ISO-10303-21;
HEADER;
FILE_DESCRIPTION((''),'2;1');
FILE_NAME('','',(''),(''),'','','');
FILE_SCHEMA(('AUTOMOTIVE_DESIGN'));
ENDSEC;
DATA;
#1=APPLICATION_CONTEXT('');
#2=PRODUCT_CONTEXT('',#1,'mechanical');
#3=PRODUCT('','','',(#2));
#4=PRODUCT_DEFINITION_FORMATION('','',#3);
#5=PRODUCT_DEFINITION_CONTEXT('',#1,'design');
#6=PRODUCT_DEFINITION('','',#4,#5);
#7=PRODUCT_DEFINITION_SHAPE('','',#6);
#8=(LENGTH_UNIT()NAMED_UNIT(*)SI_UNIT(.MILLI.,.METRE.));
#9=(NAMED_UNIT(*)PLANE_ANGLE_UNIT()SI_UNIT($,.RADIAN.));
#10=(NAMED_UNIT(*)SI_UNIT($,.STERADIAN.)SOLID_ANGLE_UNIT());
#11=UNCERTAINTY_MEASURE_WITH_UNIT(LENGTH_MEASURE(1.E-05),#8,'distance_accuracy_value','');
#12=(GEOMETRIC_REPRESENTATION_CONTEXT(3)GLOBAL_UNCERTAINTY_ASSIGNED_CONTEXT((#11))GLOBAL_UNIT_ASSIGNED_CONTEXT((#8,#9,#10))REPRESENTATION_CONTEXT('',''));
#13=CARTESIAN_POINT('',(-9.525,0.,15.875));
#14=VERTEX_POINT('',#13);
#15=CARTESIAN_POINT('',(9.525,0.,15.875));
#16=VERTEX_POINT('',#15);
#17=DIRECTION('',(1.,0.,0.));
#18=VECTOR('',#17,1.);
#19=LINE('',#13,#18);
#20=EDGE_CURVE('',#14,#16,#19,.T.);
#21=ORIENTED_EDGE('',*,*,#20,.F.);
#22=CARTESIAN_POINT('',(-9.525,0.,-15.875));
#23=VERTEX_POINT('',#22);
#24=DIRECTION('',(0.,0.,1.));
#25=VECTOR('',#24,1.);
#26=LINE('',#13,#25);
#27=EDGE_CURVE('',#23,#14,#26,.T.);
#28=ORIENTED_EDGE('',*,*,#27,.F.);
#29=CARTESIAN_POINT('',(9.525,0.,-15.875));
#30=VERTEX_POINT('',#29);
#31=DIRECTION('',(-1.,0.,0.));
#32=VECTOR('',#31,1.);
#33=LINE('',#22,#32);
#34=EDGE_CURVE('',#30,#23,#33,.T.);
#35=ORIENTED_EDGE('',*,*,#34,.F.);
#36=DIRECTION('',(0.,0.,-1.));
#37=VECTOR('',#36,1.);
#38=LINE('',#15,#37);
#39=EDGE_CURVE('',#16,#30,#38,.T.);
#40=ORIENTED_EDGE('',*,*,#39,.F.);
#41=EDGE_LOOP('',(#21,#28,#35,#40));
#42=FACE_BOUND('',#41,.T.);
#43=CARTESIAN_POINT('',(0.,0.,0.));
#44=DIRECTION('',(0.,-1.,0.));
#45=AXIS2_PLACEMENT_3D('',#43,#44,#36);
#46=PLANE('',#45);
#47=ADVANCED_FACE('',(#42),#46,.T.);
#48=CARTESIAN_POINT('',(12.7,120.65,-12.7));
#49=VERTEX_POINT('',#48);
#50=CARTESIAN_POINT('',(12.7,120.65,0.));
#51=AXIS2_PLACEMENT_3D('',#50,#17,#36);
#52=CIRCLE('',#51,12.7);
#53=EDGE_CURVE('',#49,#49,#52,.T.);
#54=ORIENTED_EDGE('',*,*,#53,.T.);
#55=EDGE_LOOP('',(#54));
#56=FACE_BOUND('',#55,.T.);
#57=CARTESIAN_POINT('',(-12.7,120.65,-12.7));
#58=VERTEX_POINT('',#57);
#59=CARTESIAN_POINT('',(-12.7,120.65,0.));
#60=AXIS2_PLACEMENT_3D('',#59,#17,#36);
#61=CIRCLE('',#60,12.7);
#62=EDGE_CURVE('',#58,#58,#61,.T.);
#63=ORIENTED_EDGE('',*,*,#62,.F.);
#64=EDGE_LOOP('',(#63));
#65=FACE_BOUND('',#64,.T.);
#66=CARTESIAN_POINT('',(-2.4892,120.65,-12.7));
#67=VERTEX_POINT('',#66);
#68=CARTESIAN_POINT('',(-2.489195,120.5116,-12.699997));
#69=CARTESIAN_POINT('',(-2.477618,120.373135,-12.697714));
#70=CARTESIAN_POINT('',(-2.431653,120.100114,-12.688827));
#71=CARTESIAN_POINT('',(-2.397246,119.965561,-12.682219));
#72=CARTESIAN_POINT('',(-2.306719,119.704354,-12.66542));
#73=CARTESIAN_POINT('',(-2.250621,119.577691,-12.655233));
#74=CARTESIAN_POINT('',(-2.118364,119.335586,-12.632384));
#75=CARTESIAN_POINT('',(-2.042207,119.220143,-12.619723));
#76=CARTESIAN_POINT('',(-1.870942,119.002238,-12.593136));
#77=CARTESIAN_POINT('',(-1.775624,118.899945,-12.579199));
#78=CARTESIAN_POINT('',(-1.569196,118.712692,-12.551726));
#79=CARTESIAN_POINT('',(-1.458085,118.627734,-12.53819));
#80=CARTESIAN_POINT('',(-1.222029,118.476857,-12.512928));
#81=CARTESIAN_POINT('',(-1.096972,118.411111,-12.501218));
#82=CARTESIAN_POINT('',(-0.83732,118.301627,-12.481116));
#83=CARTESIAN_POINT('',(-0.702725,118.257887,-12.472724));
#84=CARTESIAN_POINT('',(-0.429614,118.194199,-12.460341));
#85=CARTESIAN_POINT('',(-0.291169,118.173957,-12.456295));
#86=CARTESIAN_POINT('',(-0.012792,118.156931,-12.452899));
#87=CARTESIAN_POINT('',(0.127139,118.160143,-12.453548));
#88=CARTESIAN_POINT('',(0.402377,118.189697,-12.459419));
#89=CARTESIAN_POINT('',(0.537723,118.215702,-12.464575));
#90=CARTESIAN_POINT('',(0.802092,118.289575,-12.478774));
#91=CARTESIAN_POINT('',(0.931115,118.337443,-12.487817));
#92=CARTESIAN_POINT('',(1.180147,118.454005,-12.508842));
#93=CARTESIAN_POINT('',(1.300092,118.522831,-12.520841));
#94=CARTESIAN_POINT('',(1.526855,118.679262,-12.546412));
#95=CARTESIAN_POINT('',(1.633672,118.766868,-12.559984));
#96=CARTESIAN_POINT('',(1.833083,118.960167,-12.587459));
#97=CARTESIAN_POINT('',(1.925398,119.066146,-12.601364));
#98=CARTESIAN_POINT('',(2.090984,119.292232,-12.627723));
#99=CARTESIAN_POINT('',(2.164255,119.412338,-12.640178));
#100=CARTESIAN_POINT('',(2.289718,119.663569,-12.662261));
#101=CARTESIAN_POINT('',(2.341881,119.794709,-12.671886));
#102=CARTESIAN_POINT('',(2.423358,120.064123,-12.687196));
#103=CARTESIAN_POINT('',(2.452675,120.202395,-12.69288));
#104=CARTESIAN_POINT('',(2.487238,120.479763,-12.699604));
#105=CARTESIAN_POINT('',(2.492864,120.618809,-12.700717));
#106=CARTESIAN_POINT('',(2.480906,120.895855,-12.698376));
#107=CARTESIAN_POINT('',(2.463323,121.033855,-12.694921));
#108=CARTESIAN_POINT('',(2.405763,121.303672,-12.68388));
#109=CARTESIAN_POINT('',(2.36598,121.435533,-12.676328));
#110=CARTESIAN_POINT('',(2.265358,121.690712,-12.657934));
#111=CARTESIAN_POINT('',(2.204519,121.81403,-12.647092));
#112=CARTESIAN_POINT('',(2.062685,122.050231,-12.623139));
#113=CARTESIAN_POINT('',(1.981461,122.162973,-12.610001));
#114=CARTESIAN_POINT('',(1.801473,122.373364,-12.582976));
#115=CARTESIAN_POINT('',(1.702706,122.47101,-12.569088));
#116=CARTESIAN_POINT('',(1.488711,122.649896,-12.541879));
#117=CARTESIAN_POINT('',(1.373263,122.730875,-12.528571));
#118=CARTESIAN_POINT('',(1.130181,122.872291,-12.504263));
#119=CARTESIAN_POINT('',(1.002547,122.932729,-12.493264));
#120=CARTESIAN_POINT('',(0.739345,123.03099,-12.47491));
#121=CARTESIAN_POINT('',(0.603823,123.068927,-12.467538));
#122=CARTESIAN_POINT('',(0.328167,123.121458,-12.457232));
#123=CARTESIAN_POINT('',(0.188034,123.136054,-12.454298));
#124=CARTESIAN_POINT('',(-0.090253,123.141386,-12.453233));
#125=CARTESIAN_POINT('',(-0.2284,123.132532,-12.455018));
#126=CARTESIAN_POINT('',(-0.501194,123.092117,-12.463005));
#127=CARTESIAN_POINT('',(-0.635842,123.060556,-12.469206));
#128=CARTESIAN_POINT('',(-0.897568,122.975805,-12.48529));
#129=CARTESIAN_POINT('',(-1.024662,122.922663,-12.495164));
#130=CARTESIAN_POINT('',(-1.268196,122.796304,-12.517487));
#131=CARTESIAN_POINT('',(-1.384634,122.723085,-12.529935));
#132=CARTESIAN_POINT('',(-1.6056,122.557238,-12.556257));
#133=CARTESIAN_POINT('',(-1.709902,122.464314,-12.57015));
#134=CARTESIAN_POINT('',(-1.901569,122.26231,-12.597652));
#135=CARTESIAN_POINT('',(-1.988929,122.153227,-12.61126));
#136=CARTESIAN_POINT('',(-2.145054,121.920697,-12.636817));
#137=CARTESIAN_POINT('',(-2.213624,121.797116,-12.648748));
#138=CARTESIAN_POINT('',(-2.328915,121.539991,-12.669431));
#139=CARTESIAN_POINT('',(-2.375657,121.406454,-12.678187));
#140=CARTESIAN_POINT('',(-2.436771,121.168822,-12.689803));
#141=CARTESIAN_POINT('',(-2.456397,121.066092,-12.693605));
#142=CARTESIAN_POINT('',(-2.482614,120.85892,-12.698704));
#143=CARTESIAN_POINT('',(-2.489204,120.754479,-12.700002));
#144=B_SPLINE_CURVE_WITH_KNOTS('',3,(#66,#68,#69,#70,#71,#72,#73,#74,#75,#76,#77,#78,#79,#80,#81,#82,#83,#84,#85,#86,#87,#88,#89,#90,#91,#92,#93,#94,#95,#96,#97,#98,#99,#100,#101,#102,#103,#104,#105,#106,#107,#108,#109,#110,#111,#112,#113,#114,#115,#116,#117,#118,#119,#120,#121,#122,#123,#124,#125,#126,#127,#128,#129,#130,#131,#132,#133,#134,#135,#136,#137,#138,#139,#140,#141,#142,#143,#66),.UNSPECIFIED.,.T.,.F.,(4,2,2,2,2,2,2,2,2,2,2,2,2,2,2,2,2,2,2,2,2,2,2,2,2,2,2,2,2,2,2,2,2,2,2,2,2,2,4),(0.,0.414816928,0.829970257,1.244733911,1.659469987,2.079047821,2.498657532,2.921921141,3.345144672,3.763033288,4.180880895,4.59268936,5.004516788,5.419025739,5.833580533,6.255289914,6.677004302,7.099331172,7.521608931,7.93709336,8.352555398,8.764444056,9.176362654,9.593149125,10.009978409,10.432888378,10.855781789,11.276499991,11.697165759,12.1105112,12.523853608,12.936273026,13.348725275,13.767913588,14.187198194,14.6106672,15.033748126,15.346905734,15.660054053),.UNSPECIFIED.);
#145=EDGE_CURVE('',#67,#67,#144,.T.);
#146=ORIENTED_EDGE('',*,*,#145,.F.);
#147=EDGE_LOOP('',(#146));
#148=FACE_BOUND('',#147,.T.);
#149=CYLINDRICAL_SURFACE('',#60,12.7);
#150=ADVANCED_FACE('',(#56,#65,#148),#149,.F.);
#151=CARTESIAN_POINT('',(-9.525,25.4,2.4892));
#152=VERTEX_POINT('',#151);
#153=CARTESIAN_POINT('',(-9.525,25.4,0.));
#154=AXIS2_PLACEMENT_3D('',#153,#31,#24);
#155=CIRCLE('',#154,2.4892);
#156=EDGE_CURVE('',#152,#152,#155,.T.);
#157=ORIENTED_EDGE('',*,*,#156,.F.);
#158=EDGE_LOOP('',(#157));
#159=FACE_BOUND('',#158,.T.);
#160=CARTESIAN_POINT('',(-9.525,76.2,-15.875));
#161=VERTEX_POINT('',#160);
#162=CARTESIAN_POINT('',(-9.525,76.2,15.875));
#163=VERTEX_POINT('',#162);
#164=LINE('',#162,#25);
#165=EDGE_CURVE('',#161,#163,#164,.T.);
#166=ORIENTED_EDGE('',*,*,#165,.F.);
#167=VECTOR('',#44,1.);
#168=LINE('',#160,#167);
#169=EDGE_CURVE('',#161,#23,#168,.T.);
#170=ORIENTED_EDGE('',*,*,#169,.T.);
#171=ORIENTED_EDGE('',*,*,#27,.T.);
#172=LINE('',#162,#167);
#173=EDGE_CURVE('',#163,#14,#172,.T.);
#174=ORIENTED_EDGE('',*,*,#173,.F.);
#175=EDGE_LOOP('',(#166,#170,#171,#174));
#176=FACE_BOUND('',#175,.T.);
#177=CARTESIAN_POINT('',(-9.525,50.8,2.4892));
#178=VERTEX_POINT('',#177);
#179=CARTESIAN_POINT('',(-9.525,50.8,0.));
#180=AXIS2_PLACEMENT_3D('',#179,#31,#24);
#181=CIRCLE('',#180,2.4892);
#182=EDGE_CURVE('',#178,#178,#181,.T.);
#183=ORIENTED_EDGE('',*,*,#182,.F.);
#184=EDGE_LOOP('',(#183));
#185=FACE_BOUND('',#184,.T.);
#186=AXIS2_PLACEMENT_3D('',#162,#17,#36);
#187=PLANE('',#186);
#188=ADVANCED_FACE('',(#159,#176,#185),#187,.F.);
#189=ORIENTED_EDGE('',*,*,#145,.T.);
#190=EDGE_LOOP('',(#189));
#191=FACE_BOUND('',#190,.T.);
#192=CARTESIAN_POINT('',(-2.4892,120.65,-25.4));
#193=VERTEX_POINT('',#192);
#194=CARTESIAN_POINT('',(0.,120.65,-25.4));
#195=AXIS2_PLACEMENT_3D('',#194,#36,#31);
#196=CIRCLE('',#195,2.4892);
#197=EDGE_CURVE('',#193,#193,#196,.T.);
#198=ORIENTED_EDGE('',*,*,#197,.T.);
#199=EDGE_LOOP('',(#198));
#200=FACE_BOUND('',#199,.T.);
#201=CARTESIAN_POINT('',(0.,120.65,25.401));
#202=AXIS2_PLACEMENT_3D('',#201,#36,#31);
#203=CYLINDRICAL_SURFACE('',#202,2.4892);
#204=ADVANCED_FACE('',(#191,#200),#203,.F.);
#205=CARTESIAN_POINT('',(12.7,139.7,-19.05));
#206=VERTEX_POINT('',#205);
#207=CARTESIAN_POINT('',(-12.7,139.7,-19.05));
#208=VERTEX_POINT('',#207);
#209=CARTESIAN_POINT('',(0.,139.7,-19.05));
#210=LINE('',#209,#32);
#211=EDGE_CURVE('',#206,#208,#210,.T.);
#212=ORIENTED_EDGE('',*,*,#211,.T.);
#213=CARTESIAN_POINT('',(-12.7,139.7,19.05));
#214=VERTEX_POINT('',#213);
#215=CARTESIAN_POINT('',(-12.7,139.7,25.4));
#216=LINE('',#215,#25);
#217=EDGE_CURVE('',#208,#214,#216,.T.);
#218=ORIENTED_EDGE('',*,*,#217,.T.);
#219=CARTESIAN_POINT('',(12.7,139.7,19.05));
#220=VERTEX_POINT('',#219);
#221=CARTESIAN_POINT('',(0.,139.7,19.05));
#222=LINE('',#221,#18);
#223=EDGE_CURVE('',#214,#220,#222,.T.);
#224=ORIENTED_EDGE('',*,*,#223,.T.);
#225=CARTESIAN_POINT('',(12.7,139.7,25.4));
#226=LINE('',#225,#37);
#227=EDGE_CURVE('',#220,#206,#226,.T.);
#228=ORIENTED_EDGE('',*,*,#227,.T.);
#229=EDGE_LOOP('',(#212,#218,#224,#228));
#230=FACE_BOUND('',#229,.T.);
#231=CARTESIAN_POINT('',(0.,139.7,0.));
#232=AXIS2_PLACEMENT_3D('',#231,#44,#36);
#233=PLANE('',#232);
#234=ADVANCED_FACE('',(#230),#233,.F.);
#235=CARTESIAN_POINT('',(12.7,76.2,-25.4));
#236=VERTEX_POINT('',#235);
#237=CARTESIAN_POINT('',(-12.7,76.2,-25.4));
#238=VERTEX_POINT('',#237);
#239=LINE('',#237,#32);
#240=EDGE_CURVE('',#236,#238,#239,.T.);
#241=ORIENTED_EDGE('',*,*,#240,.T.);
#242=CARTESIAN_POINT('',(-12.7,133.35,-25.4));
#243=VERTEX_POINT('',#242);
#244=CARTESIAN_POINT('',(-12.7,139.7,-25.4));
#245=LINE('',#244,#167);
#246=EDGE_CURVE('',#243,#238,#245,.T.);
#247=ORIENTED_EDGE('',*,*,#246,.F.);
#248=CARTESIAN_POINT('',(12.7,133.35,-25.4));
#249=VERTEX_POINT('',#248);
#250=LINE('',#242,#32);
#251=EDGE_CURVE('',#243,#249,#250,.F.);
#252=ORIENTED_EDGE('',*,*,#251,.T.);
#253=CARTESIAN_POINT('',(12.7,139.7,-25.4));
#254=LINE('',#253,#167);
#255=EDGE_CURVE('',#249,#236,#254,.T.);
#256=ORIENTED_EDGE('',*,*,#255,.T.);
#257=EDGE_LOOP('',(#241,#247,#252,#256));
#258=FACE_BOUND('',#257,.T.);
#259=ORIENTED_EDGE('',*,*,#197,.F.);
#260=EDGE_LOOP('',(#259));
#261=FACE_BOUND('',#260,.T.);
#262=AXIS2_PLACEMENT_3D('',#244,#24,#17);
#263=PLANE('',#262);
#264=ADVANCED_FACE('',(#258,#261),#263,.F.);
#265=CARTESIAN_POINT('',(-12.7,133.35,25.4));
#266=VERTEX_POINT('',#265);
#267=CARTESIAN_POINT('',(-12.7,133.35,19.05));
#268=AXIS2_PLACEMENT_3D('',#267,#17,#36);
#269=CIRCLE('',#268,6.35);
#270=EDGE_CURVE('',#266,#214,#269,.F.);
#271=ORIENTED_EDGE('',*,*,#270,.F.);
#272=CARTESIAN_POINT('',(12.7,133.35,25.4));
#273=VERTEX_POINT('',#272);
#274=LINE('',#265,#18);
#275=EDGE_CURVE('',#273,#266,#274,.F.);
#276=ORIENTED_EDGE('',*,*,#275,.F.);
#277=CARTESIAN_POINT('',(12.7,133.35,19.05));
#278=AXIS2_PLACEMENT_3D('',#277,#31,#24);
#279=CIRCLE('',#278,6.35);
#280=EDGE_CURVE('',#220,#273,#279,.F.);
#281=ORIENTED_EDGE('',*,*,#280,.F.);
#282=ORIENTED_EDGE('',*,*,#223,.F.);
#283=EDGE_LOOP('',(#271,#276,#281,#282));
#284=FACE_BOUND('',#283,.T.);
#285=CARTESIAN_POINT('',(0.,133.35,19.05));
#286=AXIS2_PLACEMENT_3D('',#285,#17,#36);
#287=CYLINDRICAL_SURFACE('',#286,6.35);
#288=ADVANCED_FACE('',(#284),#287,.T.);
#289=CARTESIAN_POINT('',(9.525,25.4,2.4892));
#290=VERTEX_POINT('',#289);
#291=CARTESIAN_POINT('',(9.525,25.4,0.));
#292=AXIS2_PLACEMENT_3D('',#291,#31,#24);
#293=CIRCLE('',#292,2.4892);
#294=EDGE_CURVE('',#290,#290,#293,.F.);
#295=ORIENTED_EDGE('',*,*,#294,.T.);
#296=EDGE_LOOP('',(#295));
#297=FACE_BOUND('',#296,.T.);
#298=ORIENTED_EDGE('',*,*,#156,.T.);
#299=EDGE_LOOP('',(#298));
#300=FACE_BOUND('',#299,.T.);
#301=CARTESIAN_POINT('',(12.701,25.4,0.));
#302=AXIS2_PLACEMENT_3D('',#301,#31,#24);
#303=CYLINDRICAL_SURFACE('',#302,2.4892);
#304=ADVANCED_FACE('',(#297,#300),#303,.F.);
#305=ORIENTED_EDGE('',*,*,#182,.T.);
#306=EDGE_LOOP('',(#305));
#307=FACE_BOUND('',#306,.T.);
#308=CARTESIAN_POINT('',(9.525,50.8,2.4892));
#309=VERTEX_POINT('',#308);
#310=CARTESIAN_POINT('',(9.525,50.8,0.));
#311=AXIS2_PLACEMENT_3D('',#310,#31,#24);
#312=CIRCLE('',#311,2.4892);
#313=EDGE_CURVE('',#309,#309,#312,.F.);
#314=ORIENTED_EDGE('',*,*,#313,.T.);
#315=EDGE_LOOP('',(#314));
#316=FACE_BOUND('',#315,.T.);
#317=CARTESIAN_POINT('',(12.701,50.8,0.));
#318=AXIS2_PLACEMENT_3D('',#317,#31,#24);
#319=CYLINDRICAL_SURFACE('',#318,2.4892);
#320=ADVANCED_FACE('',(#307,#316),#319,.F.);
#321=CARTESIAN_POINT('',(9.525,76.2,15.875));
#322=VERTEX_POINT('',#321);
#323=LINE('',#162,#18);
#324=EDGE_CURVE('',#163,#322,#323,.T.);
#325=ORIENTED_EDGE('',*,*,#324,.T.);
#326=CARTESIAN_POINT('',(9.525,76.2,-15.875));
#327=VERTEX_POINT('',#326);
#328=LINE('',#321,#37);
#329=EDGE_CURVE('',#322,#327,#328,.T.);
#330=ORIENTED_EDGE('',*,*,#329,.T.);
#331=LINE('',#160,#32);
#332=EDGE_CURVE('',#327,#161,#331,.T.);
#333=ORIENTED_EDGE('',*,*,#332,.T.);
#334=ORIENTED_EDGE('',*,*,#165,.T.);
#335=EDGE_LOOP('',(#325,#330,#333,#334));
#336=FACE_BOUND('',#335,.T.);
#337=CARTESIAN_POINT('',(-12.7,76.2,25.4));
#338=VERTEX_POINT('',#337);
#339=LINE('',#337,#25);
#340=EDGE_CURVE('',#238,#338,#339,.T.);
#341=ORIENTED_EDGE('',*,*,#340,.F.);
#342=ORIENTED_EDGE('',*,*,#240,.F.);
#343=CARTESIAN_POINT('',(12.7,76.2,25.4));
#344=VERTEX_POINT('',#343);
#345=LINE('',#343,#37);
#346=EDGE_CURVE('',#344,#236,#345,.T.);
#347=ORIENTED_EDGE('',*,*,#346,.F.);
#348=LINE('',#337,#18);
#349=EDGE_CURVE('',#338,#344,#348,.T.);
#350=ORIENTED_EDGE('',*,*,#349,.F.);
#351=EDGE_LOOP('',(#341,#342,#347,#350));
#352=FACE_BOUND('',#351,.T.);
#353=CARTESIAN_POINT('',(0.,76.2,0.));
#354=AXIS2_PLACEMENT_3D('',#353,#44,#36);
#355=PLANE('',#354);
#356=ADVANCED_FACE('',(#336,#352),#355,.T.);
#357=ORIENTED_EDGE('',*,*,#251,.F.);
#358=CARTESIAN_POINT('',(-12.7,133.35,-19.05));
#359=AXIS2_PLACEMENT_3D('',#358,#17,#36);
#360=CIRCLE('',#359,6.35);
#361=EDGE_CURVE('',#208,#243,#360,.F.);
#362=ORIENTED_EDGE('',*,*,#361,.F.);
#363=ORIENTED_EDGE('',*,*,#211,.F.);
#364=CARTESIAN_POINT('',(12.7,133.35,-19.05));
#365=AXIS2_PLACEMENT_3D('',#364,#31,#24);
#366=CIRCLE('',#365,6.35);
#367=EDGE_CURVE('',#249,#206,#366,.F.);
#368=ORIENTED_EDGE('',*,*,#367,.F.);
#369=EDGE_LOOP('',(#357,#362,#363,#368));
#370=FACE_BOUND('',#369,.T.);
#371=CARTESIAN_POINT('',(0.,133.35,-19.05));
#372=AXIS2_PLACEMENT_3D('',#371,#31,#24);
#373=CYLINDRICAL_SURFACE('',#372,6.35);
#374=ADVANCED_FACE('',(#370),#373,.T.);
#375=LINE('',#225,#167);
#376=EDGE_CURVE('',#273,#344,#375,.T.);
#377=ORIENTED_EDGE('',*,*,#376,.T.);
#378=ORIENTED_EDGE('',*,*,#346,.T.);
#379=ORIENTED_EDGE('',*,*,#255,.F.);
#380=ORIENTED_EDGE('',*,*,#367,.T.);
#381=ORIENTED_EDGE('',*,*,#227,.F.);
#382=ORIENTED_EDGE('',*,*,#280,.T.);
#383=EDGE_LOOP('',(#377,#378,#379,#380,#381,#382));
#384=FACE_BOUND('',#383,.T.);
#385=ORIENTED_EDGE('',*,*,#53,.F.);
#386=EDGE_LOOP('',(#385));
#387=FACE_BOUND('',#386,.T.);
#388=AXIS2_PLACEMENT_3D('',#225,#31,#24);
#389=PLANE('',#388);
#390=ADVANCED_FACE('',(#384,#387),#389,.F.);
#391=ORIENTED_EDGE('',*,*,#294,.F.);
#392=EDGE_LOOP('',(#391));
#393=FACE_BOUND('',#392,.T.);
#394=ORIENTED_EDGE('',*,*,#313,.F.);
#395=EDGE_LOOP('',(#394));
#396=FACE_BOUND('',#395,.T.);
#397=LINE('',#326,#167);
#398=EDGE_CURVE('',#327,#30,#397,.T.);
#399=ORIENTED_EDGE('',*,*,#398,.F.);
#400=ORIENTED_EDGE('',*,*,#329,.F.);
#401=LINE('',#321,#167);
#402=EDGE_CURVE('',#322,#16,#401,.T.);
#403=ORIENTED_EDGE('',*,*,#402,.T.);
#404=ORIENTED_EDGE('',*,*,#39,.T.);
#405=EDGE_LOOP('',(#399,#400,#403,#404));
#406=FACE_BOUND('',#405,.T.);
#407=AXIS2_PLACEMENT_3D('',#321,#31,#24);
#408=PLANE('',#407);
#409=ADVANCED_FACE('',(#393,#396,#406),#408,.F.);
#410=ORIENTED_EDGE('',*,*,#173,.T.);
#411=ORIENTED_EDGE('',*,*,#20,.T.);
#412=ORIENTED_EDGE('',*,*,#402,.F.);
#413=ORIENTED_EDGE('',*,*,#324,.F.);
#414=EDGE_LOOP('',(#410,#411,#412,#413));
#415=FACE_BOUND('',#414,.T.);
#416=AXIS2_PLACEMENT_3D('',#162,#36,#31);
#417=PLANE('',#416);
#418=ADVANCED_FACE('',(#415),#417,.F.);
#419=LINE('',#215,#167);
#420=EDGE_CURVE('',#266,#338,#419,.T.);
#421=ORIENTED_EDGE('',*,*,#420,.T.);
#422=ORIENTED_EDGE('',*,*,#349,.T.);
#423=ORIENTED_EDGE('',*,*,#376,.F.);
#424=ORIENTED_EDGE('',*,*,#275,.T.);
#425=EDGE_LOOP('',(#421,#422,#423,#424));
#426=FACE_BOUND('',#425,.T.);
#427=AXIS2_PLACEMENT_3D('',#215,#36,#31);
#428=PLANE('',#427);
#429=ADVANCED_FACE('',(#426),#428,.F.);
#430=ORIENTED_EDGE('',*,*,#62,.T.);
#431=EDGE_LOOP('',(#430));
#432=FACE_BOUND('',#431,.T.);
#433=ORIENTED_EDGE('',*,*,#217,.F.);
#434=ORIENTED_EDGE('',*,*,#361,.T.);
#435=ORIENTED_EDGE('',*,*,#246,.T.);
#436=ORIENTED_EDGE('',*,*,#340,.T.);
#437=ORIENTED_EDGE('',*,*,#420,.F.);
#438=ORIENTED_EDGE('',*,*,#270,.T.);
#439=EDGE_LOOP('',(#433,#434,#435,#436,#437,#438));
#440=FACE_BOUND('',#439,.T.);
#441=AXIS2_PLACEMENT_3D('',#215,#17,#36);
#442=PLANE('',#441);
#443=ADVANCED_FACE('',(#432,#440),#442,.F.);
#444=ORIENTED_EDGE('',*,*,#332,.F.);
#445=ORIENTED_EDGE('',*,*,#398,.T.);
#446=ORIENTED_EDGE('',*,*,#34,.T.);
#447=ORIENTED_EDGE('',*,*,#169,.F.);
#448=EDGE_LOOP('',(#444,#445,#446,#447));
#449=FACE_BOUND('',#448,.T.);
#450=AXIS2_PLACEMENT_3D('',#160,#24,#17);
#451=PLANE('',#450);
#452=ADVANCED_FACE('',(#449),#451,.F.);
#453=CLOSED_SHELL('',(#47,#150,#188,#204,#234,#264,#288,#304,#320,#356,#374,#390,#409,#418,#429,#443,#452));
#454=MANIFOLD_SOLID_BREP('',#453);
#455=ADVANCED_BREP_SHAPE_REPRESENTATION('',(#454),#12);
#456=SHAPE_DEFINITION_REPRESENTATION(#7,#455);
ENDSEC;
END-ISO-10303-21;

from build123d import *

# Parameters (mm, degrees)
SKETCH2_W               = 19.05
SKETCH2_H               = 31.75
BOSS_EXTRUDE1_DEPTH     = 76.2
SKETCH3_W               = 25.4
SKETCH3_H               = 50.8
BOSS_EXTRUDE2_DEPTH     = 63.5
FILLET1_R               = 6.35
SKETCH4_R               = 12.7
CUT_EXTRUDE1_DEPTH      = 145.244271983
CUT_EXTRUDE2_REACH      = 151.191
CUT_EXTRUDE2_END_RADIUS = 12.7
SKETCH5_R               = 2.4892
CUT_EXTRUDE3_REACH      = 145.719
SKETCH6_R               = 2.4892


with BuildPart() as part:
    # Sketch2 → Boss-Extrude1 (new body)
    with BuildSketch(Plane(origin=(0, 0, 0), x_dir=(1, 0, 0), z_dir=(0, 1, 0))):
        Rectangle(SKETCH2_W, SKETCH2_H)
    extrude(amount=BOSS_EXTRUDE1_DEPTH)

    # Sketch3 → Boss-Extrude2 (add)
    with BuildSketch(Plane(origin=(0, 76.2, 0), x_dir=(1, 0, 0), z_dir=(0, 1, 0))):
        Rectangle(SKETCH3_W, SKETCH3_H)
    extrude(amount=BOSS_EXTRUDE2_DEPTH)

    # Fillet1
    fillet1_edges = [part.edges().sort_by_distance(p)[0] for p in [
        (0, 139.7, -25.4),
        (0, 139.7, 25.4),
    ]]
    fillet(fillet1_edges, radius=FILLET1_R)

    # Sketch4 → Cut-Extrude1 (cut, through all)
    with BuildSketch(Plane(origin=(12.7, 0, 0), x_dir=(0, 0, -1), z_dir=(1, 0, 0))):
        with Locations((0, 120.65)):
            Circle(SKETCH4_R)
    extrude(amount=-CUT_EXTRUDE1_DEPTH, mode=Mode.SUBTRACT)

    # Cut-Extrude2: up to this cylinder (the profile starts outside it)
    cut_extrude2_end = Plane(origin=(0, 120.65, 0), z_dir=(1, 0, 0)) * Cylinder(CUT_EXTRUDE2_END_RADIUS, 328.782, mode=Mode.PRIVATE)
    # Sketch5 → Cut-Extrude2 (cut, up to the surface)
    with BuildSketch(Plane(origin=(0, 0, -25.4), x_dir=(-1, 0, 0), z_dir=(0, 0, -1)), mode=Mode.PRIVATE) as cut_extrude2_sk1:
        with Locations((0, 120.65)):
            Circle(SKETCH5_R)
    cut_extrude2_tool1 = extrude(cut_extrude2_sk1.sketch, amount=-CUT_EXTRUDE2_REACH, mode=Mode.PRIVATE) - cut_extrude2_end
    add(cut_extrude2_tool1.solids().sort_by_distance((0, 120.65, -25.4))[0], mode=Mode.SUBTRACT)

    # Sketch6 → Cut-Extrude3 (cut, up to next)
    with BuildSketch(Plane.ZY.offset(9.525), mode=Mode.PRIVATE) as cut_extrude3_sk1:
        with Locations((0, 25.4)):
            Circle(SKETCH6_R)
    cut_extrude3_tool1 = extrude(cut_extrude3_sk1.sketch, amount=-CUT_EXTRUDE3_REACH, mode=Mode.PRIVATE) & part.part
    # Sketch6 → Cut-Extrude3 (cut, up to next)
    with BuildSketch(Plane.ZY.offset(9.525), mode=Mode.PRIVATE) as cut_extrude3_sk2:
        with Locations((0, 50.8)):
            Circle(SKETCH6_R)
    cut_extrude3_tool2 = extrude(cut_extrude3_sk2.sketch, amount=-CUT_EXTRUDE3_REACH, mode=Mode.PRIVATE) & part.part
    add(cut_extrude3_tool1.solids().sort_by_distance((-9.525, 25.4, 0))[0], mode=Mode.SUBTRACT)
    add(cut_extrude3_tool2.solids().sort_by_distance((-9.525, 50.8, 0))[0], mode=Mode.SUBTRACT)


solid = part.part
